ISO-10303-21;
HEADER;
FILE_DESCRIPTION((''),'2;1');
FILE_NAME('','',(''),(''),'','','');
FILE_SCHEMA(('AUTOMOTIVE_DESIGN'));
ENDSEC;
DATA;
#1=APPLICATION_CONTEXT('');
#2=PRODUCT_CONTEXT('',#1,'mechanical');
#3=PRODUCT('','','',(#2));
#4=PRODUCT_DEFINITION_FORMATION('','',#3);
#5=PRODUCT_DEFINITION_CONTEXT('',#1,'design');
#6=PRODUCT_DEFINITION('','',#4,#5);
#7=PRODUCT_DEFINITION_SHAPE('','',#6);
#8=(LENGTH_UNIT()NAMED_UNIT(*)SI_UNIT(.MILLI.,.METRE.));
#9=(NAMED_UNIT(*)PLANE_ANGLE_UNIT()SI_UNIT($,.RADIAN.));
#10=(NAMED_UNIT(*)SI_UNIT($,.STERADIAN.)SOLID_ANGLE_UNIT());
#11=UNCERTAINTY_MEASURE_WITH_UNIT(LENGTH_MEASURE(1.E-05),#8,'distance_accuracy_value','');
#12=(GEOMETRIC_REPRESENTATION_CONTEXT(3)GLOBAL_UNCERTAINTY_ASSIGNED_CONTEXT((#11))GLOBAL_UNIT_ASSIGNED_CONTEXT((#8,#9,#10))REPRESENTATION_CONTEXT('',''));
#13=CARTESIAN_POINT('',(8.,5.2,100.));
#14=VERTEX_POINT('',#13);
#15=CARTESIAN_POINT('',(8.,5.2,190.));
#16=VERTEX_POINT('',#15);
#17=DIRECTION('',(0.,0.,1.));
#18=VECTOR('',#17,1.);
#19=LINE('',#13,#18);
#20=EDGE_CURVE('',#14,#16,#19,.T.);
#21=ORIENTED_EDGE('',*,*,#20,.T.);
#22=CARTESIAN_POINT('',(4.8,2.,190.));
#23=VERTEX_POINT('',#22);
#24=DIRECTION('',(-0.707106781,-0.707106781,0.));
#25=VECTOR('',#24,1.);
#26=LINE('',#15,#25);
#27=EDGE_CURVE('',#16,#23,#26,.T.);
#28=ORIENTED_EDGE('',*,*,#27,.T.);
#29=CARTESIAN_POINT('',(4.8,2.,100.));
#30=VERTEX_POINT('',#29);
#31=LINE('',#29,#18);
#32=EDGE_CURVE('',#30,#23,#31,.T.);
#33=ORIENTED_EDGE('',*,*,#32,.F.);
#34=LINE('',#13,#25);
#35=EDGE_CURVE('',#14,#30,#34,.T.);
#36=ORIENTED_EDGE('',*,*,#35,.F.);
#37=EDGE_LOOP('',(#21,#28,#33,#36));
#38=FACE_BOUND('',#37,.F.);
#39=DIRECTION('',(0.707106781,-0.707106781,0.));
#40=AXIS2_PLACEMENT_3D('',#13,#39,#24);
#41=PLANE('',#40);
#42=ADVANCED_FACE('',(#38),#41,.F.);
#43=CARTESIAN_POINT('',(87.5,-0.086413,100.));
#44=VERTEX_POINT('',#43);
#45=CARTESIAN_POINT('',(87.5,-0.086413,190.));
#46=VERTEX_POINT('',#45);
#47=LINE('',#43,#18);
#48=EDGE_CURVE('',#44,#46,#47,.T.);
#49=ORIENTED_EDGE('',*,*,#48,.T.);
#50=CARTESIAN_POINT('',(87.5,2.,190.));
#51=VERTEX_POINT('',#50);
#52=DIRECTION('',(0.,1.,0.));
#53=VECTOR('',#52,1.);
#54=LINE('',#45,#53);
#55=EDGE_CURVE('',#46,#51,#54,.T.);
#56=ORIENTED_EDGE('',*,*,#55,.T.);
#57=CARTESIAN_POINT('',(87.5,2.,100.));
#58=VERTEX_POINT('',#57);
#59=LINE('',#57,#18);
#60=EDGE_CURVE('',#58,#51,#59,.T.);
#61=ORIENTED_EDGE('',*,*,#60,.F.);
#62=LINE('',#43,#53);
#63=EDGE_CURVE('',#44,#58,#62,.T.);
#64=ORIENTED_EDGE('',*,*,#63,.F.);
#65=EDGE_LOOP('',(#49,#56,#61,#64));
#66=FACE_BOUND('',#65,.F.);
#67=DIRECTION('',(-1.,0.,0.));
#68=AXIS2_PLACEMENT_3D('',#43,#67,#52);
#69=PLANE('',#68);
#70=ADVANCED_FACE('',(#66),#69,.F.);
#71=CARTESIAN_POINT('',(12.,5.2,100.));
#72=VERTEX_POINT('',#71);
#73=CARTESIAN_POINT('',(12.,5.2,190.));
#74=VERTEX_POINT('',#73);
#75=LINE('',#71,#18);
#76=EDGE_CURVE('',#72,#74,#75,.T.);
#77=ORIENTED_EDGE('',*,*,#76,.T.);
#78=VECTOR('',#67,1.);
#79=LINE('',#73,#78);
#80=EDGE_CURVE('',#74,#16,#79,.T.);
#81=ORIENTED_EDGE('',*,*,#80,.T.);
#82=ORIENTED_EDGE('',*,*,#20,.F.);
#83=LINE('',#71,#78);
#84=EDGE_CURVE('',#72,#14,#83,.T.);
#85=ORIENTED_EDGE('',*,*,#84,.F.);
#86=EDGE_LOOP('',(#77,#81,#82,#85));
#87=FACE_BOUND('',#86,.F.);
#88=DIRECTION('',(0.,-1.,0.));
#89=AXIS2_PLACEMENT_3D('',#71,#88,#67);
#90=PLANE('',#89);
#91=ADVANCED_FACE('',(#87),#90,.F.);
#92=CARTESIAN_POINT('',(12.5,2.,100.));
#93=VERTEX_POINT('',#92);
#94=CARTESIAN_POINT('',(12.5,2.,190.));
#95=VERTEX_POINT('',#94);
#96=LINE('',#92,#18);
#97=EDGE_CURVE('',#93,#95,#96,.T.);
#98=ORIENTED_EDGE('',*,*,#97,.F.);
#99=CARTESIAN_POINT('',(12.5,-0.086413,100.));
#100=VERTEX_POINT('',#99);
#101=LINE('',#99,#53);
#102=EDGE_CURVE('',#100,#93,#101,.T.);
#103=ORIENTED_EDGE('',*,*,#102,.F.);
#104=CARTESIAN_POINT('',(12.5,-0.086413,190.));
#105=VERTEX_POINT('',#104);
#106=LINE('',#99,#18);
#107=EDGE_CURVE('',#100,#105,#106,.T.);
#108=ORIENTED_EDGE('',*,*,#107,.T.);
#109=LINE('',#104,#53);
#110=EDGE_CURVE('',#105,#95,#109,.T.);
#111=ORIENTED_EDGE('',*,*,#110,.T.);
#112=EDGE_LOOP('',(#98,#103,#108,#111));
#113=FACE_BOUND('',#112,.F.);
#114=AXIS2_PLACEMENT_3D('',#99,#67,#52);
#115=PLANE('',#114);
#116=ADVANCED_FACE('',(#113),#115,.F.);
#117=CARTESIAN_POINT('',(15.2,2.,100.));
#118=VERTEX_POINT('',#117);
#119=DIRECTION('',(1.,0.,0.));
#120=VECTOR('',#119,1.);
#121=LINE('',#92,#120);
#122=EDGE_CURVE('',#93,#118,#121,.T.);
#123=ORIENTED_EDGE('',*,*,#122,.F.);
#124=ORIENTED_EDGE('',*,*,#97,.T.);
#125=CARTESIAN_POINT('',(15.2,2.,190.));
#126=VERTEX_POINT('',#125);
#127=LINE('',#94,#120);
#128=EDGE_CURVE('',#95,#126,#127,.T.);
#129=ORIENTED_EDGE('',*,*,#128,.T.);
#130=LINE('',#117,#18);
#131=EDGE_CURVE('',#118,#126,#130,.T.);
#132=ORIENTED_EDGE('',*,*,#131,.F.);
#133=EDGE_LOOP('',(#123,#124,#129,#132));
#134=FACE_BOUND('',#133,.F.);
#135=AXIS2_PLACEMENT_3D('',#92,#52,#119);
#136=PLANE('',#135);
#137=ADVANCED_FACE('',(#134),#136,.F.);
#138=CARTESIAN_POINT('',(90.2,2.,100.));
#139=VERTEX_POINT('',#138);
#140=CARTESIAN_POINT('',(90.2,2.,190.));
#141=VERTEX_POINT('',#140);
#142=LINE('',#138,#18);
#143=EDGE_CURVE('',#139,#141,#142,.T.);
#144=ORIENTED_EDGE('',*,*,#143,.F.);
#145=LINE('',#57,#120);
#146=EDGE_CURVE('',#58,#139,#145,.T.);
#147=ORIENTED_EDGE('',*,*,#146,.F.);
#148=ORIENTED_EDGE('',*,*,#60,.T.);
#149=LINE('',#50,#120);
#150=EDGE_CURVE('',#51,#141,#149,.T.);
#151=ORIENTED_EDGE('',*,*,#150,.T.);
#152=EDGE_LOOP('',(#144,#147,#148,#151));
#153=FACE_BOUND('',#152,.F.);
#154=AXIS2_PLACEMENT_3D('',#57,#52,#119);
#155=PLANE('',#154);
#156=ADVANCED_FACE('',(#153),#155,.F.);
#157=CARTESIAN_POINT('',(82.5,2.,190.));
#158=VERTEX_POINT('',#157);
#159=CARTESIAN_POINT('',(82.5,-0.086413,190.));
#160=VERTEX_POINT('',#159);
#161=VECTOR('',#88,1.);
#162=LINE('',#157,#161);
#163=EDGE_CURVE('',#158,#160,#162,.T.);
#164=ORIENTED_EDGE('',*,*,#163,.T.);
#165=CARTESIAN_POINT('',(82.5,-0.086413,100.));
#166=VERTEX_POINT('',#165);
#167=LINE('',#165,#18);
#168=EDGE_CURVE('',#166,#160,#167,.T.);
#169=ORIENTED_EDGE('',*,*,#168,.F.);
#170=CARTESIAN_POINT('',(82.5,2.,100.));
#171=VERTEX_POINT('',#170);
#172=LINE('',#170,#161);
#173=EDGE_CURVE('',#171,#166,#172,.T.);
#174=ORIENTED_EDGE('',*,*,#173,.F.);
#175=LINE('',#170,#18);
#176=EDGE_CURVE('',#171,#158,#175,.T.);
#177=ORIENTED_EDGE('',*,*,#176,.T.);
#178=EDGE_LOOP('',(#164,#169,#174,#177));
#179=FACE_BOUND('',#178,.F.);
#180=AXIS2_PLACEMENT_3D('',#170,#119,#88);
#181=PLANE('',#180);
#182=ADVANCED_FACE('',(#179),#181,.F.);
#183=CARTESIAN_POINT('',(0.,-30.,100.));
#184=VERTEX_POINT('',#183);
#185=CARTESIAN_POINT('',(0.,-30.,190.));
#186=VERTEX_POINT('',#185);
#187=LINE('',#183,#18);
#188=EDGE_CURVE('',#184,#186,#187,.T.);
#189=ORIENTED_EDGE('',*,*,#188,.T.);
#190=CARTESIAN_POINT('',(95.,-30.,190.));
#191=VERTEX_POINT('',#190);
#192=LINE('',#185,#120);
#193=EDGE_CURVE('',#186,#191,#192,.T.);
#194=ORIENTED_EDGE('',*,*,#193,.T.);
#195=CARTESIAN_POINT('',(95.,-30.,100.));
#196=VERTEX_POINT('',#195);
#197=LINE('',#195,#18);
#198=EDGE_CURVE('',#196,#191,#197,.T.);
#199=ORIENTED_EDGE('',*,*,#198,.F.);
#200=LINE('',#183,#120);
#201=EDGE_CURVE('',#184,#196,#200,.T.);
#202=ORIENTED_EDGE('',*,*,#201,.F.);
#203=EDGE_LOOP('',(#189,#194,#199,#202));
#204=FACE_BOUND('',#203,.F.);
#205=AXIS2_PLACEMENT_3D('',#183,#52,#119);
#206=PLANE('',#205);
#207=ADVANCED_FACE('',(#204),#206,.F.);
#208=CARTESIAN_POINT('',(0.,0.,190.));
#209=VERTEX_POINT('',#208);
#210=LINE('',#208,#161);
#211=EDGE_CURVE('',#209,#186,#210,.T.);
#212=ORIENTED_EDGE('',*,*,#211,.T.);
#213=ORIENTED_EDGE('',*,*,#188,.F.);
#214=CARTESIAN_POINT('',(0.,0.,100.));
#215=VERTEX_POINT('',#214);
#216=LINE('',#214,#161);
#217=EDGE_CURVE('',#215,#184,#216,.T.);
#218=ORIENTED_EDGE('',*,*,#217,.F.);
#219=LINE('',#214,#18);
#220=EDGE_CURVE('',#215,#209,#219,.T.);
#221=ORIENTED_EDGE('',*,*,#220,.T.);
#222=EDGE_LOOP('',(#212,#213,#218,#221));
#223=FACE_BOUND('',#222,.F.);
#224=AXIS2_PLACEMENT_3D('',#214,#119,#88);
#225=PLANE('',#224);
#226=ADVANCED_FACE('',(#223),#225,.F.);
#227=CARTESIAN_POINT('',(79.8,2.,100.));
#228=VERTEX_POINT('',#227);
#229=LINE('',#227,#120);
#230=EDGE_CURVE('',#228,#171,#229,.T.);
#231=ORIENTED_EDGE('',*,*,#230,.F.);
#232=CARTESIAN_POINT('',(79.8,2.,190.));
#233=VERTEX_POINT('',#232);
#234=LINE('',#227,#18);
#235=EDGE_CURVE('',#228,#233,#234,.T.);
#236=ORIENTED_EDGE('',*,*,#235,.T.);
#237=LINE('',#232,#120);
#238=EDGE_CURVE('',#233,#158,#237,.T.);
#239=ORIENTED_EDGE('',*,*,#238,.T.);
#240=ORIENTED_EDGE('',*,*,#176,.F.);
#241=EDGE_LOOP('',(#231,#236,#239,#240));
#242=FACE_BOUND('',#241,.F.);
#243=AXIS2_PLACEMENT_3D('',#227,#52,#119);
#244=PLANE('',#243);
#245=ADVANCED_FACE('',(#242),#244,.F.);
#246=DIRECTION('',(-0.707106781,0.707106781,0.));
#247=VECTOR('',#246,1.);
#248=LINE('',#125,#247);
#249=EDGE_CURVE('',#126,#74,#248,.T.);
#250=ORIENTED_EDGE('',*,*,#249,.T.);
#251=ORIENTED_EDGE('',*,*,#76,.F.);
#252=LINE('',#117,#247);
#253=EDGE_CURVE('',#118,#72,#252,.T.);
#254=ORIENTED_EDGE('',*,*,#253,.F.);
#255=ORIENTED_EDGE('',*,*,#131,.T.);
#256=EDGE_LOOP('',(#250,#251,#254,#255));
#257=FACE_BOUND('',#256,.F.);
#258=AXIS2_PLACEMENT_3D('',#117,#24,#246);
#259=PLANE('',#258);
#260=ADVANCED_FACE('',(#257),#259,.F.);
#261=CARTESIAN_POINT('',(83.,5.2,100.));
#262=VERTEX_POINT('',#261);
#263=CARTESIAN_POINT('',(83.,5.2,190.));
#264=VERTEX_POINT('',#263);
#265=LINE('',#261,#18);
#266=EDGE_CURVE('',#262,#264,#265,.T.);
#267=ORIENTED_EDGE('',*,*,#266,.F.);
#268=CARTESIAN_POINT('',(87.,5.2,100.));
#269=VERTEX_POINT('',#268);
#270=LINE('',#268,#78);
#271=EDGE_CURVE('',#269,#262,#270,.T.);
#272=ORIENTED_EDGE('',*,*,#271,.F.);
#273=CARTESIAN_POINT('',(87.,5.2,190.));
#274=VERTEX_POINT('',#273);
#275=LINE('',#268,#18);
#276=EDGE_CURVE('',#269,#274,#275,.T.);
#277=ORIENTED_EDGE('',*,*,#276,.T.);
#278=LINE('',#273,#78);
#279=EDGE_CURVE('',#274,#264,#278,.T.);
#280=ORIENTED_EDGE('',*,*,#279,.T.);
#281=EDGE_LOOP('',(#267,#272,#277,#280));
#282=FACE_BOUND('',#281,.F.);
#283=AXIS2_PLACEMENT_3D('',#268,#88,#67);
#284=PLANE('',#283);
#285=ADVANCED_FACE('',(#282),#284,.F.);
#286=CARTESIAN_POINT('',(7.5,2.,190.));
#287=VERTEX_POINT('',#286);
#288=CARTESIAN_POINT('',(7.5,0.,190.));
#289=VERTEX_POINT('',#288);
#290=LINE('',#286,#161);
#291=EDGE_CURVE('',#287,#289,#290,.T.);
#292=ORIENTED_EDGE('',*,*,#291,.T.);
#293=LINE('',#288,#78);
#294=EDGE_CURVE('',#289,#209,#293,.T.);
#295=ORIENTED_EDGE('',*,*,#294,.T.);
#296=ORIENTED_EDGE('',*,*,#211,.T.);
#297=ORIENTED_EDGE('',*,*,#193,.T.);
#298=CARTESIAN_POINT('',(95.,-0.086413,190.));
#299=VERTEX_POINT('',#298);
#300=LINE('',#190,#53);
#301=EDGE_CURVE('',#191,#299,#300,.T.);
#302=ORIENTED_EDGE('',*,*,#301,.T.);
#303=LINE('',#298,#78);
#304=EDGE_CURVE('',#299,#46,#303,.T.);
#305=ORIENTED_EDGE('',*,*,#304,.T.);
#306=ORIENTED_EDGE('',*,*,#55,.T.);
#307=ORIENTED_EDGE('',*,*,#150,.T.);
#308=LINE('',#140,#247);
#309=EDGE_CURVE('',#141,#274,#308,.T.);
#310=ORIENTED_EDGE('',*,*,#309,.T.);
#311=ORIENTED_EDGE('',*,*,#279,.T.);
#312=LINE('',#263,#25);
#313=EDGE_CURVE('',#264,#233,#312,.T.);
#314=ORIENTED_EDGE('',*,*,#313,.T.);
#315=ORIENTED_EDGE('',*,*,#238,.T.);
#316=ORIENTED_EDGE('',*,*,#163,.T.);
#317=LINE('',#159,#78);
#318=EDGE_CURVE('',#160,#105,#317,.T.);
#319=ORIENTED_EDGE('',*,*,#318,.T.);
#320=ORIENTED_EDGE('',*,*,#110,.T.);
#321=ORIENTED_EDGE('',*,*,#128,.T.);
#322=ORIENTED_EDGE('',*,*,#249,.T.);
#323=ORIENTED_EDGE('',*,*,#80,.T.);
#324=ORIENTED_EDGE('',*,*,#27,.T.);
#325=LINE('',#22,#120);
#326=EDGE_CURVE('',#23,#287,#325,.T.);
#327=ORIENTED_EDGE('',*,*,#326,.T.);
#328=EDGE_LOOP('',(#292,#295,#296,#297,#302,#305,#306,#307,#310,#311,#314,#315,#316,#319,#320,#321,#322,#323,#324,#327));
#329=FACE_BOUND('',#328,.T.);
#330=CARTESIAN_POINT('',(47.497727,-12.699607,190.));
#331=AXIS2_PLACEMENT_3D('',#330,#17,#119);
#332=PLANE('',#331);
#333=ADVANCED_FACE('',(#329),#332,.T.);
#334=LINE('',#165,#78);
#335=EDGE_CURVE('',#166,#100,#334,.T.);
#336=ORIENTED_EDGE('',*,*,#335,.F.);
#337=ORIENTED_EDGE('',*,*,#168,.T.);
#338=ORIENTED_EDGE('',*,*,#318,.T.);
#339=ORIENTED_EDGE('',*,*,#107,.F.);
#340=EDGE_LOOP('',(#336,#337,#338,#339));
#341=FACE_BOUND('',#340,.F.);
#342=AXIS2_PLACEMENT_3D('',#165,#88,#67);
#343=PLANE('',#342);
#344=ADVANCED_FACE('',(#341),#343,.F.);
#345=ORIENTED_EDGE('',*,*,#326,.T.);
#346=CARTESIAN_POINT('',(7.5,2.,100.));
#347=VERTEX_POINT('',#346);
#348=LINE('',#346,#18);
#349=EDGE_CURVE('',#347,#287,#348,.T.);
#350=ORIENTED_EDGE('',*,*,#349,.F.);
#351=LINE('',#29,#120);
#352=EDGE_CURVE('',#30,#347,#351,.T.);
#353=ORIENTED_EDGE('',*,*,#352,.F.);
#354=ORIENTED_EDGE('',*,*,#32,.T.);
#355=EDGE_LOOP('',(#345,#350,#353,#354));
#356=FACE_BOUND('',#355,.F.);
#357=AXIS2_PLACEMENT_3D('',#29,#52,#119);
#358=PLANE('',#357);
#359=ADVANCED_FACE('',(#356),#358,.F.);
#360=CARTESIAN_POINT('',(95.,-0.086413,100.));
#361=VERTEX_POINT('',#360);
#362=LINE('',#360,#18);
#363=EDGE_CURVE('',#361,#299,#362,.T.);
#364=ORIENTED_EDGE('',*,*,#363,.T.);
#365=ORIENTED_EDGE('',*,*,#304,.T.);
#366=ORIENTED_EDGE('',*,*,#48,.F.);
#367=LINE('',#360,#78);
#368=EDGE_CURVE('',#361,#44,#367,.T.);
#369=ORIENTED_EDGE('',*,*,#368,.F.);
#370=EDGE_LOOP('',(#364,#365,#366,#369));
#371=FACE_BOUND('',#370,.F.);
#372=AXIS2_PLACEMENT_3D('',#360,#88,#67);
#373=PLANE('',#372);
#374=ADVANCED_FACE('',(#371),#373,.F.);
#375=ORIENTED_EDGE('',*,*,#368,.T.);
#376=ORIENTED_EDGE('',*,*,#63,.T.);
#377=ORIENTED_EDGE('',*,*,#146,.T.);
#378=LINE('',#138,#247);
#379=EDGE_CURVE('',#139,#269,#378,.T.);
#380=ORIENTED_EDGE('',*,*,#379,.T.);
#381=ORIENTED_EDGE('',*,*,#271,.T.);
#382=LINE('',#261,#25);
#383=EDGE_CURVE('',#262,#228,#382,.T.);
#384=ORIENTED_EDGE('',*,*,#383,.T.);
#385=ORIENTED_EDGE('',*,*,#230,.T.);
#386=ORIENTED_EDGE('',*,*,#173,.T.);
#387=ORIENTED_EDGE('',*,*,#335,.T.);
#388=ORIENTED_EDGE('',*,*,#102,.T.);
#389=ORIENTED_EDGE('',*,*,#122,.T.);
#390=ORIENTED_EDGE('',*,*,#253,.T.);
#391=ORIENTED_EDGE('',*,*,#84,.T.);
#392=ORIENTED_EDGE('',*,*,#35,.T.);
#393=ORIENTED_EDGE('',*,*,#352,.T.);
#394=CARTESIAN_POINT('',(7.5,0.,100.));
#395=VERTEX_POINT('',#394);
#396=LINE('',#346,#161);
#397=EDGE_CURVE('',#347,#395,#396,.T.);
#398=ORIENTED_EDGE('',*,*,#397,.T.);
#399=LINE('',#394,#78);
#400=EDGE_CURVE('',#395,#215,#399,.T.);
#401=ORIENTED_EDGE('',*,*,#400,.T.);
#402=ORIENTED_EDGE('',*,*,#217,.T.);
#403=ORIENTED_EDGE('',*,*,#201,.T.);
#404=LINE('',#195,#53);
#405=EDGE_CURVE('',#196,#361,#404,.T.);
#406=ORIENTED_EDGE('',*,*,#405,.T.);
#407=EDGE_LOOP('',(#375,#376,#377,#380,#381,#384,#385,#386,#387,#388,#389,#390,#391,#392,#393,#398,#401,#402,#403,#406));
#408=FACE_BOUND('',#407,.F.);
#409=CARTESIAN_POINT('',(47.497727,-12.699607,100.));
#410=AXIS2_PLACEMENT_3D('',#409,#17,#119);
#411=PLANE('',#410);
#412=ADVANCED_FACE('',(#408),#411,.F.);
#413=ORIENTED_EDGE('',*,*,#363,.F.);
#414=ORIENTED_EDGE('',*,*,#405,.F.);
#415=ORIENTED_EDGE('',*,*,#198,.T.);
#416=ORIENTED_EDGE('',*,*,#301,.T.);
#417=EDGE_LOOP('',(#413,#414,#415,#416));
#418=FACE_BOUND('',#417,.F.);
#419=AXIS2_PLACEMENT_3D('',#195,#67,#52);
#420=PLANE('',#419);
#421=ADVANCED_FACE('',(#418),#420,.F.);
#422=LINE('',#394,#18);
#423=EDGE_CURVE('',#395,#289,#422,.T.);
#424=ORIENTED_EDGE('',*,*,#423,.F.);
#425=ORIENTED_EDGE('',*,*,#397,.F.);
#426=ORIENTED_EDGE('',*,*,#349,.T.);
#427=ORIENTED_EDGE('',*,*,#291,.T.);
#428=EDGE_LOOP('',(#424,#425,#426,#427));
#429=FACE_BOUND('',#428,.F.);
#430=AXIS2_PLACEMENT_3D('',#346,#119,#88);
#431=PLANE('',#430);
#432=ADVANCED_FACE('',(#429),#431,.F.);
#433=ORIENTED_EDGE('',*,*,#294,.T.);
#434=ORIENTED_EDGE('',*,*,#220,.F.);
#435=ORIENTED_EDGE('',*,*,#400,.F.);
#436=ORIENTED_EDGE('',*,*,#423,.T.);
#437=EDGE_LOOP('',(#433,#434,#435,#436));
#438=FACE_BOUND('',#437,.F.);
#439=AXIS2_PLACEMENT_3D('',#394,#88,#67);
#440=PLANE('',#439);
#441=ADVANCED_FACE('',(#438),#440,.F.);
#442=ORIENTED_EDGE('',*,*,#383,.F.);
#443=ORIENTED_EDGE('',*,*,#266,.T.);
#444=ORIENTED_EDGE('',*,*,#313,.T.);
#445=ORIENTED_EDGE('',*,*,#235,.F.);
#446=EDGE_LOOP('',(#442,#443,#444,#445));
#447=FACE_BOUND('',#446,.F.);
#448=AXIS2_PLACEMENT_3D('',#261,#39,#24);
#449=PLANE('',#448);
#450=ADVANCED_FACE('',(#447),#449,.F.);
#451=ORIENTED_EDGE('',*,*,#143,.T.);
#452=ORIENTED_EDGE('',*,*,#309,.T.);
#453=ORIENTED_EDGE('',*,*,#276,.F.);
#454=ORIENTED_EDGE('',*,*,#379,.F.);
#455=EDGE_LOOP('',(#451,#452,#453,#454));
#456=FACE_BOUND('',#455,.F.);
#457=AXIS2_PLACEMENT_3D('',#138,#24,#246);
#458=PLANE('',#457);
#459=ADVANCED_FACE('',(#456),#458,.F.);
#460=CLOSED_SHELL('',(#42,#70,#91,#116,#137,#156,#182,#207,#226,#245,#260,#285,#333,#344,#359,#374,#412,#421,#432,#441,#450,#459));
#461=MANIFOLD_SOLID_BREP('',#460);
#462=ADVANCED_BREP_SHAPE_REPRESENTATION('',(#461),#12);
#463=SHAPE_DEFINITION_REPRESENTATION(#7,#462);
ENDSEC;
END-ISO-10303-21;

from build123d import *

# Parameters (mm, degrees)
PAD_DEPTH = 90


with BuildPart() as part:
    # Sketch003 → Pad (new body)
    with BuildSketch(Plane.XY.offset(100)):
        Polygon((7.5, 0), (0, 0), (0, -30), (95, -30), (95, -0.086413), (87.5, -0.086413), (87.5, 2), (90.2, 2), (87, 5.2), (83, 5.2), (79.8, 2), (82.5, 2), (82.5, -0.086413), (12.5, -0.086413), (12.5, 2), (15.2, 2), (12, 5.2), (8, 5.2), (4.8, 2), (7.5, 2), align=None)
    extrude(amount=PAD_DEPTH)


solid = part.part
